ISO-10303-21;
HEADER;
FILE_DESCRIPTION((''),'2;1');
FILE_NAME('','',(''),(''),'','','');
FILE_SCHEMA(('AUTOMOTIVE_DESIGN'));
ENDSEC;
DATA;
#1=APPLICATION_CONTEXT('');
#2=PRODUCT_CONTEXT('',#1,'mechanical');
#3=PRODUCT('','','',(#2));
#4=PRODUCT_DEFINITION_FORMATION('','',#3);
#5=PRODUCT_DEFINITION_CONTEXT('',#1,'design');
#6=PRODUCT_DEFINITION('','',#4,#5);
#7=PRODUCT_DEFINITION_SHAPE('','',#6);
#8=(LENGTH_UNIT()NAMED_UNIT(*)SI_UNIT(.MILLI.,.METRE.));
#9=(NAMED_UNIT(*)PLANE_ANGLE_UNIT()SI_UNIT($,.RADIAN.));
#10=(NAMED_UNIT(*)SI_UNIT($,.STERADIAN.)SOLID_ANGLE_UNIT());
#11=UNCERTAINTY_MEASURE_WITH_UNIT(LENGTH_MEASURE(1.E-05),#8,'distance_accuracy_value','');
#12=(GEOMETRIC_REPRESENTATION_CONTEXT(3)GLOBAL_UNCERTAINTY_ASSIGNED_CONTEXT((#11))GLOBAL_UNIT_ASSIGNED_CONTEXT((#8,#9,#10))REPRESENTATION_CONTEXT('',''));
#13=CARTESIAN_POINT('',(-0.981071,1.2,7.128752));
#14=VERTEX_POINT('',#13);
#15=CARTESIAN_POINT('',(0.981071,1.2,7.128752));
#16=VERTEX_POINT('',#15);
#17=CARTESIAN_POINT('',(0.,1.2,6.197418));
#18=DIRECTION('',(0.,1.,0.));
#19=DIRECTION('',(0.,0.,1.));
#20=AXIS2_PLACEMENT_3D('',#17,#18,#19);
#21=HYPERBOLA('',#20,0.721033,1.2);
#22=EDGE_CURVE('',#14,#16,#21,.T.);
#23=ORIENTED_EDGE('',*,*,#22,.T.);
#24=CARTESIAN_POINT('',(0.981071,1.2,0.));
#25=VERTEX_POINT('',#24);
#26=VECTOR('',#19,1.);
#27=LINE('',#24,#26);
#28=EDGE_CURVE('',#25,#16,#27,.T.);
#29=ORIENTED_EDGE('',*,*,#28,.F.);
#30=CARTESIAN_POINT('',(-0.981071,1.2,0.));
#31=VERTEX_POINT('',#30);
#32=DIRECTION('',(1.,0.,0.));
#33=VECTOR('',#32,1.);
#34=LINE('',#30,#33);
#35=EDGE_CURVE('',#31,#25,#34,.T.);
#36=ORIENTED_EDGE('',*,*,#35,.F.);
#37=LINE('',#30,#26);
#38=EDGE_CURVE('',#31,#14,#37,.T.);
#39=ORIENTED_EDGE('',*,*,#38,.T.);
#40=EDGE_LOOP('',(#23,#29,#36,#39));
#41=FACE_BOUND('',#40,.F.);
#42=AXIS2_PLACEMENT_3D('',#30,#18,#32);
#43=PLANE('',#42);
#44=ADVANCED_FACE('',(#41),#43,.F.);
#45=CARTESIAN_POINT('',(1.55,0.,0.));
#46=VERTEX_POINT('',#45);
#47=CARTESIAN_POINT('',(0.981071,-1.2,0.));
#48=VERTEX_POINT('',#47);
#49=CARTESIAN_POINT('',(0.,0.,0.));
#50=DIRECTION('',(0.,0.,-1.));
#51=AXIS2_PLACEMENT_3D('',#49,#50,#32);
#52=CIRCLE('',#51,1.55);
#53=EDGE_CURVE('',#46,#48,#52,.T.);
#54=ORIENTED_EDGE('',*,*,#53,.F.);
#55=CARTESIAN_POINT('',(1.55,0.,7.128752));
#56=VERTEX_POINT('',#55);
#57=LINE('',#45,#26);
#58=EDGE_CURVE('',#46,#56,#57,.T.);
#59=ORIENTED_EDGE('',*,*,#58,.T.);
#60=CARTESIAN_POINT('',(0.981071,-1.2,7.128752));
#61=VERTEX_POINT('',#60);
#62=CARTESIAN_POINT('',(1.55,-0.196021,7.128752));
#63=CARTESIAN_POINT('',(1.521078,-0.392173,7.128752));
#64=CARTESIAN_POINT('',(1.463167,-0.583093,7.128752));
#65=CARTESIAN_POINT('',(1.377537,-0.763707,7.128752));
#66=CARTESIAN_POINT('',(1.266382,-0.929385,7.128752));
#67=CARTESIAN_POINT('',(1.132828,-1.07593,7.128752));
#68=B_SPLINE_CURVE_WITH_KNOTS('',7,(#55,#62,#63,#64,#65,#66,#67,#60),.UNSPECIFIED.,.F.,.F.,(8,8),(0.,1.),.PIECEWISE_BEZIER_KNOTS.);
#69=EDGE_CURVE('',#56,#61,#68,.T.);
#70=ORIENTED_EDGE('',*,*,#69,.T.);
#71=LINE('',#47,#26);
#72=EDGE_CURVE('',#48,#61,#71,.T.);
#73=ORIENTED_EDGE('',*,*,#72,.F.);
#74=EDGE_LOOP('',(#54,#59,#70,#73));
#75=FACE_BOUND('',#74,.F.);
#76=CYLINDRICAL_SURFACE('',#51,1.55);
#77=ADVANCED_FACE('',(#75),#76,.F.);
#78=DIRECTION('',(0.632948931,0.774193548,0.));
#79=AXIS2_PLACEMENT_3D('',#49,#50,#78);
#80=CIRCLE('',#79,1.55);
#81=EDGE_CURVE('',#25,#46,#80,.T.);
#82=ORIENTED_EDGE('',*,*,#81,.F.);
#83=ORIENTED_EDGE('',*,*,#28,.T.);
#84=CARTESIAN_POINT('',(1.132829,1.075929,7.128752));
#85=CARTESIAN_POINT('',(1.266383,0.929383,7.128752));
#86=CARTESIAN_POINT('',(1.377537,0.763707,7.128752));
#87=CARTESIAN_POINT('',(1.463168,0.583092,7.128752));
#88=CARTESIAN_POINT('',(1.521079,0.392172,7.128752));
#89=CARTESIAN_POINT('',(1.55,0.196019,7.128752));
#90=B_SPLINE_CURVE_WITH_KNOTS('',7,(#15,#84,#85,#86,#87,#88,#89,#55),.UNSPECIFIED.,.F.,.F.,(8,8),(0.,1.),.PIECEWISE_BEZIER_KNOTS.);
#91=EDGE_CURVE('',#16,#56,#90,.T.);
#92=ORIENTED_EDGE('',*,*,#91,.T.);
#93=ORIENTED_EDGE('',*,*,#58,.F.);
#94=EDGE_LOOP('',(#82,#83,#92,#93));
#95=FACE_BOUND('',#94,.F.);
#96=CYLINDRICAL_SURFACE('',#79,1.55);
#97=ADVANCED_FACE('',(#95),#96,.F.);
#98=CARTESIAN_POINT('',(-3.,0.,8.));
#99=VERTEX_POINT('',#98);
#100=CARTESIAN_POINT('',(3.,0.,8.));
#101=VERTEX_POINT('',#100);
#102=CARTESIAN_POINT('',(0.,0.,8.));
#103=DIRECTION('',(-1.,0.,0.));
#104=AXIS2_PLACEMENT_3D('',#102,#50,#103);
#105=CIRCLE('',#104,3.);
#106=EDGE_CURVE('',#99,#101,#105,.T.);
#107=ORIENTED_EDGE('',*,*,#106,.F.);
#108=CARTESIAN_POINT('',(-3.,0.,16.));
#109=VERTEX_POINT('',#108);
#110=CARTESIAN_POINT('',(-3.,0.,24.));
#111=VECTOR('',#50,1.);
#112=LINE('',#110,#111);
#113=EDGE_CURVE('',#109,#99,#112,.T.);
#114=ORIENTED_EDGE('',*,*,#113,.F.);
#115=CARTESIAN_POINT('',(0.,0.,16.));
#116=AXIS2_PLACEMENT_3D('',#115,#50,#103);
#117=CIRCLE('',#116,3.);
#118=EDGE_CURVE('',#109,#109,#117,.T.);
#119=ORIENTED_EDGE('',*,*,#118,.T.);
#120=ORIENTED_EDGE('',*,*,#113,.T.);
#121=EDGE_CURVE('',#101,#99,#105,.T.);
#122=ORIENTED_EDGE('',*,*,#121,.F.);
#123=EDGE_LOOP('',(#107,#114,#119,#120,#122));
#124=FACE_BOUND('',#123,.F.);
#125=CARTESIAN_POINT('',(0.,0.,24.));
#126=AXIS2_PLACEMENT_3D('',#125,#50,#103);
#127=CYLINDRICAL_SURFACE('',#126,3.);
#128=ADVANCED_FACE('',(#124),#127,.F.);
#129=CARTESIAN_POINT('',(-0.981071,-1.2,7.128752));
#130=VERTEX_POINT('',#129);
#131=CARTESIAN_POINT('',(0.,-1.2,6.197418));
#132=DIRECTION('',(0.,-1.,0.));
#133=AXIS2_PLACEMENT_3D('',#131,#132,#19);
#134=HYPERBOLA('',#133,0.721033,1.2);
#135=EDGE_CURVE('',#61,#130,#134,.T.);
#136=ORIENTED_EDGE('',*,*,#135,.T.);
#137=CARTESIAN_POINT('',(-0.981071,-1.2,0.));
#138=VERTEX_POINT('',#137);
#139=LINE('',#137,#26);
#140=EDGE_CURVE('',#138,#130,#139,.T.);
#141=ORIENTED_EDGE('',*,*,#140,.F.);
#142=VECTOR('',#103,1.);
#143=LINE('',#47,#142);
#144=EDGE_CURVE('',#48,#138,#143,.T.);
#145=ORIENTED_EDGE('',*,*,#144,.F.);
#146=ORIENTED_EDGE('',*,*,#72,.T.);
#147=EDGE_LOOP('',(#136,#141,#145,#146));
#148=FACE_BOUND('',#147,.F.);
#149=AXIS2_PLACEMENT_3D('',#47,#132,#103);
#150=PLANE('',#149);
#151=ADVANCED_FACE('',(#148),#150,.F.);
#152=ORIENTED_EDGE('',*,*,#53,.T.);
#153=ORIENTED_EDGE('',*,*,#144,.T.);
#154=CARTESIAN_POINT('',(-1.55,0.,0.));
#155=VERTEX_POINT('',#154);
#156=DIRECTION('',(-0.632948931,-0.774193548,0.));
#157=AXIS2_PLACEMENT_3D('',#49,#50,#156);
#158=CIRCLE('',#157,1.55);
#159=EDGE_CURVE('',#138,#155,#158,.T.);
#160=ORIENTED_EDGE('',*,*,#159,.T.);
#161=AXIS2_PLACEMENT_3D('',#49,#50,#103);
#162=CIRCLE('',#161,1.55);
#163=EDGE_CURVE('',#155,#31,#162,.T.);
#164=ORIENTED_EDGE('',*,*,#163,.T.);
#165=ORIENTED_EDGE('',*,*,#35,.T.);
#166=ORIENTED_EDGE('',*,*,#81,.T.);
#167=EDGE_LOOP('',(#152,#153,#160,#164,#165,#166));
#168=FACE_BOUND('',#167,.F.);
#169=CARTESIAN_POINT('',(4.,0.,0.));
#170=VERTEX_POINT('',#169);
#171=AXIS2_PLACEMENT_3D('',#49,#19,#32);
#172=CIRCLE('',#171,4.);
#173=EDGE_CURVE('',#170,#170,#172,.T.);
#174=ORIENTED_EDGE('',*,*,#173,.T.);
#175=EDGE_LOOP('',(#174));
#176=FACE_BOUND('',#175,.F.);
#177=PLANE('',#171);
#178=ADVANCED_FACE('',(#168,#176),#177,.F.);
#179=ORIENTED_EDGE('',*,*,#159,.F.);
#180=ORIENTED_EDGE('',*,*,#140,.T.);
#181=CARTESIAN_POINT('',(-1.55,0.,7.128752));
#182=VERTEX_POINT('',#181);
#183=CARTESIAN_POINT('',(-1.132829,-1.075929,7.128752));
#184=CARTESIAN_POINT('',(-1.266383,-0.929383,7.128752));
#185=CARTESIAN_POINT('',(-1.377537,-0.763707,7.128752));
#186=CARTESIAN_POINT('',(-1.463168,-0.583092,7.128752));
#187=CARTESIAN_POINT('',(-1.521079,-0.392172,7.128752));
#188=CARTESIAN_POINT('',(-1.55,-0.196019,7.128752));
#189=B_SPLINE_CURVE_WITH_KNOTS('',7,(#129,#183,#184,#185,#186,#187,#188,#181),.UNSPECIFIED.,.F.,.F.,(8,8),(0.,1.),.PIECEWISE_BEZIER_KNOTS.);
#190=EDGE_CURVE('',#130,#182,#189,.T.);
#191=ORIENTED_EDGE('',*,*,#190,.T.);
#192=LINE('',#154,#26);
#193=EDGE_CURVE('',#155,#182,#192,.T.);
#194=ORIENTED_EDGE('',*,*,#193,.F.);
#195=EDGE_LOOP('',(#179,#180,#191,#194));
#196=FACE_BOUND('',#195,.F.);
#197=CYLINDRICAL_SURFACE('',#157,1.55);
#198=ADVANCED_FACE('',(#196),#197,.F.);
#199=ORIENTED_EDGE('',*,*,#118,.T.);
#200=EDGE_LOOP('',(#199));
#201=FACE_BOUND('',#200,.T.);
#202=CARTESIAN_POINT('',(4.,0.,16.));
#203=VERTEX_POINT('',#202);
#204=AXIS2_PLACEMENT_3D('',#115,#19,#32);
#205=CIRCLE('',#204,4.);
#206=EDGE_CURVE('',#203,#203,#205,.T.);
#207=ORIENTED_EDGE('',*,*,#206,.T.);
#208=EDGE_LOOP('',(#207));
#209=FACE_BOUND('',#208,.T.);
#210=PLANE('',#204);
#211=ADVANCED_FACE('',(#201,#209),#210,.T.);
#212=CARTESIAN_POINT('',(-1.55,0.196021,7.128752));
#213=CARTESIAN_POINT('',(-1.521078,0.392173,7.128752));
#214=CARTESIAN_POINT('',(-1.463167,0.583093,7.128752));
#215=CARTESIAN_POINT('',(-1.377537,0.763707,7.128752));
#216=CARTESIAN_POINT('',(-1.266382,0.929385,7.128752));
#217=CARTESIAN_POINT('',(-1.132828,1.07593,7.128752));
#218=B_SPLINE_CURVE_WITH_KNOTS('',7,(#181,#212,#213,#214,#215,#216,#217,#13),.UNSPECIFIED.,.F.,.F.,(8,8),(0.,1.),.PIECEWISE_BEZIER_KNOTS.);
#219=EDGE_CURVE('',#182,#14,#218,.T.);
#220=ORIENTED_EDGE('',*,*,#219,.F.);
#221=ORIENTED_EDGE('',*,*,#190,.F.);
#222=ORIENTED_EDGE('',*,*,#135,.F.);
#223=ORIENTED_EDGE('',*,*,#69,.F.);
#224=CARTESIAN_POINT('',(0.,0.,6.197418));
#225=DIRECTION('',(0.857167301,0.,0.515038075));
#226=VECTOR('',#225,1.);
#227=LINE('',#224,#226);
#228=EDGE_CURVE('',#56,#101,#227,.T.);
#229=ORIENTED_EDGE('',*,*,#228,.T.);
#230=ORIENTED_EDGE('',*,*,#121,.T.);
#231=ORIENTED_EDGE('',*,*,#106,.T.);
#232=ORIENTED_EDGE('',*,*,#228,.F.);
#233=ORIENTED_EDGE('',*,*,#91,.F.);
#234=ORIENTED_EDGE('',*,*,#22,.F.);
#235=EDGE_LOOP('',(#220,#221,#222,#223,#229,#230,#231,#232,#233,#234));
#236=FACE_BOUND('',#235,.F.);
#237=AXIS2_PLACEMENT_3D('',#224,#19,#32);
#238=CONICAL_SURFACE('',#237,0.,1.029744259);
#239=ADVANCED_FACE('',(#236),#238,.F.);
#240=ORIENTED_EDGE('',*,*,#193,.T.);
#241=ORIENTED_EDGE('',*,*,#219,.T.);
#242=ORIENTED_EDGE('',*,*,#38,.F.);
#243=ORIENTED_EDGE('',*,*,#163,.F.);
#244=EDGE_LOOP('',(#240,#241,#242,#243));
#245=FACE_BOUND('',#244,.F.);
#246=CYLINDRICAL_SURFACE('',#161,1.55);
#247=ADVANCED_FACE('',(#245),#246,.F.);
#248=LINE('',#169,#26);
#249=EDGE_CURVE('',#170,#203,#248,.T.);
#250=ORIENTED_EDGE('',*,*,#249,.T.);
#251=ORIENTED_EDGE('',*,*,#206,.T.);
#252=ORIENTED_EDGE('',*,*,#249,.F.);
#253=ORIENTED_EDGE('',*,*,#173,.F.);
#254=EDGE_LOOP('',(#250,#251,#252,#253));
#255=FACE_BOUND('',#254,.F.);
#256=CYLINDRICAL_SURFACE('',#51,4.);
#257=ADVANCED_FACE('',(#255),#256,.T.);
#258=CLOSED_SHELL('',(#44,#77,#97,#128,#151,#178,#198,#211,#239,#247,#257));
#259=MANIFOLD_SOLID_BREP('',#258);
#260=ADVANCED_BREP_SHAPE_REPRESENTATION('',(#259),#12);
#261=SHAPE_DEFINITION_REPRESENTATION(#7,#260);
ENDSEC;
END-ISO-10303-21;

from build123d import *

# Parameters (mm, degrees)
F0_R     = 4
F1_DEPTH = 16
F3_D     = 6
F3_DEPTH = 8
F3_TIP   = 1.8025818571


with BuildPart() as f1:
    # F0 (on Top) → F1 (new body)
    with BuildSketch(Plane.XY):
        Circle(F0_R)
        with BuildLine():
            ThreePointArc((-1.55, 0), (-1.4005641377, 0.6640181445), (-0.9810708435, 1.2))
            Line((-0.9810708435, 1.2), (0.9810708435, 1.2))
            ThreePointArc((0.9810708435, 1.2), (1.4005641377, 0.6640181445), (1.55, 0))
            ThreePointArc((1.55, 0), (1.4005641377, -0.6640181445), (0.9810708435, -1.2))
            Line((0.9810708435, -1.2), (-0.9810708435, -1.2))
            ThreePointArc((-0.9810708435, -1.2), (-1.4005641377, -0.6640181445), (-1.55, 0))
        make_face(mode=Mode.SUBTRACT)
    extrude(amount=F1_DEPTH)

    # F3
    with Locations(Plane.XY.offset(16)):
        with Locations((0, 0)):
            Hole(F3_D / 2, depth=F3_DEPTH)
            with Locations((0, 0, -(F3_DEPTH + F3_TIP / 2))):  # 118° drill point
                Cone(0, F3_D / 2, F3_TIP, mode=Mode.SUBTRACT)


solid = f1.part
